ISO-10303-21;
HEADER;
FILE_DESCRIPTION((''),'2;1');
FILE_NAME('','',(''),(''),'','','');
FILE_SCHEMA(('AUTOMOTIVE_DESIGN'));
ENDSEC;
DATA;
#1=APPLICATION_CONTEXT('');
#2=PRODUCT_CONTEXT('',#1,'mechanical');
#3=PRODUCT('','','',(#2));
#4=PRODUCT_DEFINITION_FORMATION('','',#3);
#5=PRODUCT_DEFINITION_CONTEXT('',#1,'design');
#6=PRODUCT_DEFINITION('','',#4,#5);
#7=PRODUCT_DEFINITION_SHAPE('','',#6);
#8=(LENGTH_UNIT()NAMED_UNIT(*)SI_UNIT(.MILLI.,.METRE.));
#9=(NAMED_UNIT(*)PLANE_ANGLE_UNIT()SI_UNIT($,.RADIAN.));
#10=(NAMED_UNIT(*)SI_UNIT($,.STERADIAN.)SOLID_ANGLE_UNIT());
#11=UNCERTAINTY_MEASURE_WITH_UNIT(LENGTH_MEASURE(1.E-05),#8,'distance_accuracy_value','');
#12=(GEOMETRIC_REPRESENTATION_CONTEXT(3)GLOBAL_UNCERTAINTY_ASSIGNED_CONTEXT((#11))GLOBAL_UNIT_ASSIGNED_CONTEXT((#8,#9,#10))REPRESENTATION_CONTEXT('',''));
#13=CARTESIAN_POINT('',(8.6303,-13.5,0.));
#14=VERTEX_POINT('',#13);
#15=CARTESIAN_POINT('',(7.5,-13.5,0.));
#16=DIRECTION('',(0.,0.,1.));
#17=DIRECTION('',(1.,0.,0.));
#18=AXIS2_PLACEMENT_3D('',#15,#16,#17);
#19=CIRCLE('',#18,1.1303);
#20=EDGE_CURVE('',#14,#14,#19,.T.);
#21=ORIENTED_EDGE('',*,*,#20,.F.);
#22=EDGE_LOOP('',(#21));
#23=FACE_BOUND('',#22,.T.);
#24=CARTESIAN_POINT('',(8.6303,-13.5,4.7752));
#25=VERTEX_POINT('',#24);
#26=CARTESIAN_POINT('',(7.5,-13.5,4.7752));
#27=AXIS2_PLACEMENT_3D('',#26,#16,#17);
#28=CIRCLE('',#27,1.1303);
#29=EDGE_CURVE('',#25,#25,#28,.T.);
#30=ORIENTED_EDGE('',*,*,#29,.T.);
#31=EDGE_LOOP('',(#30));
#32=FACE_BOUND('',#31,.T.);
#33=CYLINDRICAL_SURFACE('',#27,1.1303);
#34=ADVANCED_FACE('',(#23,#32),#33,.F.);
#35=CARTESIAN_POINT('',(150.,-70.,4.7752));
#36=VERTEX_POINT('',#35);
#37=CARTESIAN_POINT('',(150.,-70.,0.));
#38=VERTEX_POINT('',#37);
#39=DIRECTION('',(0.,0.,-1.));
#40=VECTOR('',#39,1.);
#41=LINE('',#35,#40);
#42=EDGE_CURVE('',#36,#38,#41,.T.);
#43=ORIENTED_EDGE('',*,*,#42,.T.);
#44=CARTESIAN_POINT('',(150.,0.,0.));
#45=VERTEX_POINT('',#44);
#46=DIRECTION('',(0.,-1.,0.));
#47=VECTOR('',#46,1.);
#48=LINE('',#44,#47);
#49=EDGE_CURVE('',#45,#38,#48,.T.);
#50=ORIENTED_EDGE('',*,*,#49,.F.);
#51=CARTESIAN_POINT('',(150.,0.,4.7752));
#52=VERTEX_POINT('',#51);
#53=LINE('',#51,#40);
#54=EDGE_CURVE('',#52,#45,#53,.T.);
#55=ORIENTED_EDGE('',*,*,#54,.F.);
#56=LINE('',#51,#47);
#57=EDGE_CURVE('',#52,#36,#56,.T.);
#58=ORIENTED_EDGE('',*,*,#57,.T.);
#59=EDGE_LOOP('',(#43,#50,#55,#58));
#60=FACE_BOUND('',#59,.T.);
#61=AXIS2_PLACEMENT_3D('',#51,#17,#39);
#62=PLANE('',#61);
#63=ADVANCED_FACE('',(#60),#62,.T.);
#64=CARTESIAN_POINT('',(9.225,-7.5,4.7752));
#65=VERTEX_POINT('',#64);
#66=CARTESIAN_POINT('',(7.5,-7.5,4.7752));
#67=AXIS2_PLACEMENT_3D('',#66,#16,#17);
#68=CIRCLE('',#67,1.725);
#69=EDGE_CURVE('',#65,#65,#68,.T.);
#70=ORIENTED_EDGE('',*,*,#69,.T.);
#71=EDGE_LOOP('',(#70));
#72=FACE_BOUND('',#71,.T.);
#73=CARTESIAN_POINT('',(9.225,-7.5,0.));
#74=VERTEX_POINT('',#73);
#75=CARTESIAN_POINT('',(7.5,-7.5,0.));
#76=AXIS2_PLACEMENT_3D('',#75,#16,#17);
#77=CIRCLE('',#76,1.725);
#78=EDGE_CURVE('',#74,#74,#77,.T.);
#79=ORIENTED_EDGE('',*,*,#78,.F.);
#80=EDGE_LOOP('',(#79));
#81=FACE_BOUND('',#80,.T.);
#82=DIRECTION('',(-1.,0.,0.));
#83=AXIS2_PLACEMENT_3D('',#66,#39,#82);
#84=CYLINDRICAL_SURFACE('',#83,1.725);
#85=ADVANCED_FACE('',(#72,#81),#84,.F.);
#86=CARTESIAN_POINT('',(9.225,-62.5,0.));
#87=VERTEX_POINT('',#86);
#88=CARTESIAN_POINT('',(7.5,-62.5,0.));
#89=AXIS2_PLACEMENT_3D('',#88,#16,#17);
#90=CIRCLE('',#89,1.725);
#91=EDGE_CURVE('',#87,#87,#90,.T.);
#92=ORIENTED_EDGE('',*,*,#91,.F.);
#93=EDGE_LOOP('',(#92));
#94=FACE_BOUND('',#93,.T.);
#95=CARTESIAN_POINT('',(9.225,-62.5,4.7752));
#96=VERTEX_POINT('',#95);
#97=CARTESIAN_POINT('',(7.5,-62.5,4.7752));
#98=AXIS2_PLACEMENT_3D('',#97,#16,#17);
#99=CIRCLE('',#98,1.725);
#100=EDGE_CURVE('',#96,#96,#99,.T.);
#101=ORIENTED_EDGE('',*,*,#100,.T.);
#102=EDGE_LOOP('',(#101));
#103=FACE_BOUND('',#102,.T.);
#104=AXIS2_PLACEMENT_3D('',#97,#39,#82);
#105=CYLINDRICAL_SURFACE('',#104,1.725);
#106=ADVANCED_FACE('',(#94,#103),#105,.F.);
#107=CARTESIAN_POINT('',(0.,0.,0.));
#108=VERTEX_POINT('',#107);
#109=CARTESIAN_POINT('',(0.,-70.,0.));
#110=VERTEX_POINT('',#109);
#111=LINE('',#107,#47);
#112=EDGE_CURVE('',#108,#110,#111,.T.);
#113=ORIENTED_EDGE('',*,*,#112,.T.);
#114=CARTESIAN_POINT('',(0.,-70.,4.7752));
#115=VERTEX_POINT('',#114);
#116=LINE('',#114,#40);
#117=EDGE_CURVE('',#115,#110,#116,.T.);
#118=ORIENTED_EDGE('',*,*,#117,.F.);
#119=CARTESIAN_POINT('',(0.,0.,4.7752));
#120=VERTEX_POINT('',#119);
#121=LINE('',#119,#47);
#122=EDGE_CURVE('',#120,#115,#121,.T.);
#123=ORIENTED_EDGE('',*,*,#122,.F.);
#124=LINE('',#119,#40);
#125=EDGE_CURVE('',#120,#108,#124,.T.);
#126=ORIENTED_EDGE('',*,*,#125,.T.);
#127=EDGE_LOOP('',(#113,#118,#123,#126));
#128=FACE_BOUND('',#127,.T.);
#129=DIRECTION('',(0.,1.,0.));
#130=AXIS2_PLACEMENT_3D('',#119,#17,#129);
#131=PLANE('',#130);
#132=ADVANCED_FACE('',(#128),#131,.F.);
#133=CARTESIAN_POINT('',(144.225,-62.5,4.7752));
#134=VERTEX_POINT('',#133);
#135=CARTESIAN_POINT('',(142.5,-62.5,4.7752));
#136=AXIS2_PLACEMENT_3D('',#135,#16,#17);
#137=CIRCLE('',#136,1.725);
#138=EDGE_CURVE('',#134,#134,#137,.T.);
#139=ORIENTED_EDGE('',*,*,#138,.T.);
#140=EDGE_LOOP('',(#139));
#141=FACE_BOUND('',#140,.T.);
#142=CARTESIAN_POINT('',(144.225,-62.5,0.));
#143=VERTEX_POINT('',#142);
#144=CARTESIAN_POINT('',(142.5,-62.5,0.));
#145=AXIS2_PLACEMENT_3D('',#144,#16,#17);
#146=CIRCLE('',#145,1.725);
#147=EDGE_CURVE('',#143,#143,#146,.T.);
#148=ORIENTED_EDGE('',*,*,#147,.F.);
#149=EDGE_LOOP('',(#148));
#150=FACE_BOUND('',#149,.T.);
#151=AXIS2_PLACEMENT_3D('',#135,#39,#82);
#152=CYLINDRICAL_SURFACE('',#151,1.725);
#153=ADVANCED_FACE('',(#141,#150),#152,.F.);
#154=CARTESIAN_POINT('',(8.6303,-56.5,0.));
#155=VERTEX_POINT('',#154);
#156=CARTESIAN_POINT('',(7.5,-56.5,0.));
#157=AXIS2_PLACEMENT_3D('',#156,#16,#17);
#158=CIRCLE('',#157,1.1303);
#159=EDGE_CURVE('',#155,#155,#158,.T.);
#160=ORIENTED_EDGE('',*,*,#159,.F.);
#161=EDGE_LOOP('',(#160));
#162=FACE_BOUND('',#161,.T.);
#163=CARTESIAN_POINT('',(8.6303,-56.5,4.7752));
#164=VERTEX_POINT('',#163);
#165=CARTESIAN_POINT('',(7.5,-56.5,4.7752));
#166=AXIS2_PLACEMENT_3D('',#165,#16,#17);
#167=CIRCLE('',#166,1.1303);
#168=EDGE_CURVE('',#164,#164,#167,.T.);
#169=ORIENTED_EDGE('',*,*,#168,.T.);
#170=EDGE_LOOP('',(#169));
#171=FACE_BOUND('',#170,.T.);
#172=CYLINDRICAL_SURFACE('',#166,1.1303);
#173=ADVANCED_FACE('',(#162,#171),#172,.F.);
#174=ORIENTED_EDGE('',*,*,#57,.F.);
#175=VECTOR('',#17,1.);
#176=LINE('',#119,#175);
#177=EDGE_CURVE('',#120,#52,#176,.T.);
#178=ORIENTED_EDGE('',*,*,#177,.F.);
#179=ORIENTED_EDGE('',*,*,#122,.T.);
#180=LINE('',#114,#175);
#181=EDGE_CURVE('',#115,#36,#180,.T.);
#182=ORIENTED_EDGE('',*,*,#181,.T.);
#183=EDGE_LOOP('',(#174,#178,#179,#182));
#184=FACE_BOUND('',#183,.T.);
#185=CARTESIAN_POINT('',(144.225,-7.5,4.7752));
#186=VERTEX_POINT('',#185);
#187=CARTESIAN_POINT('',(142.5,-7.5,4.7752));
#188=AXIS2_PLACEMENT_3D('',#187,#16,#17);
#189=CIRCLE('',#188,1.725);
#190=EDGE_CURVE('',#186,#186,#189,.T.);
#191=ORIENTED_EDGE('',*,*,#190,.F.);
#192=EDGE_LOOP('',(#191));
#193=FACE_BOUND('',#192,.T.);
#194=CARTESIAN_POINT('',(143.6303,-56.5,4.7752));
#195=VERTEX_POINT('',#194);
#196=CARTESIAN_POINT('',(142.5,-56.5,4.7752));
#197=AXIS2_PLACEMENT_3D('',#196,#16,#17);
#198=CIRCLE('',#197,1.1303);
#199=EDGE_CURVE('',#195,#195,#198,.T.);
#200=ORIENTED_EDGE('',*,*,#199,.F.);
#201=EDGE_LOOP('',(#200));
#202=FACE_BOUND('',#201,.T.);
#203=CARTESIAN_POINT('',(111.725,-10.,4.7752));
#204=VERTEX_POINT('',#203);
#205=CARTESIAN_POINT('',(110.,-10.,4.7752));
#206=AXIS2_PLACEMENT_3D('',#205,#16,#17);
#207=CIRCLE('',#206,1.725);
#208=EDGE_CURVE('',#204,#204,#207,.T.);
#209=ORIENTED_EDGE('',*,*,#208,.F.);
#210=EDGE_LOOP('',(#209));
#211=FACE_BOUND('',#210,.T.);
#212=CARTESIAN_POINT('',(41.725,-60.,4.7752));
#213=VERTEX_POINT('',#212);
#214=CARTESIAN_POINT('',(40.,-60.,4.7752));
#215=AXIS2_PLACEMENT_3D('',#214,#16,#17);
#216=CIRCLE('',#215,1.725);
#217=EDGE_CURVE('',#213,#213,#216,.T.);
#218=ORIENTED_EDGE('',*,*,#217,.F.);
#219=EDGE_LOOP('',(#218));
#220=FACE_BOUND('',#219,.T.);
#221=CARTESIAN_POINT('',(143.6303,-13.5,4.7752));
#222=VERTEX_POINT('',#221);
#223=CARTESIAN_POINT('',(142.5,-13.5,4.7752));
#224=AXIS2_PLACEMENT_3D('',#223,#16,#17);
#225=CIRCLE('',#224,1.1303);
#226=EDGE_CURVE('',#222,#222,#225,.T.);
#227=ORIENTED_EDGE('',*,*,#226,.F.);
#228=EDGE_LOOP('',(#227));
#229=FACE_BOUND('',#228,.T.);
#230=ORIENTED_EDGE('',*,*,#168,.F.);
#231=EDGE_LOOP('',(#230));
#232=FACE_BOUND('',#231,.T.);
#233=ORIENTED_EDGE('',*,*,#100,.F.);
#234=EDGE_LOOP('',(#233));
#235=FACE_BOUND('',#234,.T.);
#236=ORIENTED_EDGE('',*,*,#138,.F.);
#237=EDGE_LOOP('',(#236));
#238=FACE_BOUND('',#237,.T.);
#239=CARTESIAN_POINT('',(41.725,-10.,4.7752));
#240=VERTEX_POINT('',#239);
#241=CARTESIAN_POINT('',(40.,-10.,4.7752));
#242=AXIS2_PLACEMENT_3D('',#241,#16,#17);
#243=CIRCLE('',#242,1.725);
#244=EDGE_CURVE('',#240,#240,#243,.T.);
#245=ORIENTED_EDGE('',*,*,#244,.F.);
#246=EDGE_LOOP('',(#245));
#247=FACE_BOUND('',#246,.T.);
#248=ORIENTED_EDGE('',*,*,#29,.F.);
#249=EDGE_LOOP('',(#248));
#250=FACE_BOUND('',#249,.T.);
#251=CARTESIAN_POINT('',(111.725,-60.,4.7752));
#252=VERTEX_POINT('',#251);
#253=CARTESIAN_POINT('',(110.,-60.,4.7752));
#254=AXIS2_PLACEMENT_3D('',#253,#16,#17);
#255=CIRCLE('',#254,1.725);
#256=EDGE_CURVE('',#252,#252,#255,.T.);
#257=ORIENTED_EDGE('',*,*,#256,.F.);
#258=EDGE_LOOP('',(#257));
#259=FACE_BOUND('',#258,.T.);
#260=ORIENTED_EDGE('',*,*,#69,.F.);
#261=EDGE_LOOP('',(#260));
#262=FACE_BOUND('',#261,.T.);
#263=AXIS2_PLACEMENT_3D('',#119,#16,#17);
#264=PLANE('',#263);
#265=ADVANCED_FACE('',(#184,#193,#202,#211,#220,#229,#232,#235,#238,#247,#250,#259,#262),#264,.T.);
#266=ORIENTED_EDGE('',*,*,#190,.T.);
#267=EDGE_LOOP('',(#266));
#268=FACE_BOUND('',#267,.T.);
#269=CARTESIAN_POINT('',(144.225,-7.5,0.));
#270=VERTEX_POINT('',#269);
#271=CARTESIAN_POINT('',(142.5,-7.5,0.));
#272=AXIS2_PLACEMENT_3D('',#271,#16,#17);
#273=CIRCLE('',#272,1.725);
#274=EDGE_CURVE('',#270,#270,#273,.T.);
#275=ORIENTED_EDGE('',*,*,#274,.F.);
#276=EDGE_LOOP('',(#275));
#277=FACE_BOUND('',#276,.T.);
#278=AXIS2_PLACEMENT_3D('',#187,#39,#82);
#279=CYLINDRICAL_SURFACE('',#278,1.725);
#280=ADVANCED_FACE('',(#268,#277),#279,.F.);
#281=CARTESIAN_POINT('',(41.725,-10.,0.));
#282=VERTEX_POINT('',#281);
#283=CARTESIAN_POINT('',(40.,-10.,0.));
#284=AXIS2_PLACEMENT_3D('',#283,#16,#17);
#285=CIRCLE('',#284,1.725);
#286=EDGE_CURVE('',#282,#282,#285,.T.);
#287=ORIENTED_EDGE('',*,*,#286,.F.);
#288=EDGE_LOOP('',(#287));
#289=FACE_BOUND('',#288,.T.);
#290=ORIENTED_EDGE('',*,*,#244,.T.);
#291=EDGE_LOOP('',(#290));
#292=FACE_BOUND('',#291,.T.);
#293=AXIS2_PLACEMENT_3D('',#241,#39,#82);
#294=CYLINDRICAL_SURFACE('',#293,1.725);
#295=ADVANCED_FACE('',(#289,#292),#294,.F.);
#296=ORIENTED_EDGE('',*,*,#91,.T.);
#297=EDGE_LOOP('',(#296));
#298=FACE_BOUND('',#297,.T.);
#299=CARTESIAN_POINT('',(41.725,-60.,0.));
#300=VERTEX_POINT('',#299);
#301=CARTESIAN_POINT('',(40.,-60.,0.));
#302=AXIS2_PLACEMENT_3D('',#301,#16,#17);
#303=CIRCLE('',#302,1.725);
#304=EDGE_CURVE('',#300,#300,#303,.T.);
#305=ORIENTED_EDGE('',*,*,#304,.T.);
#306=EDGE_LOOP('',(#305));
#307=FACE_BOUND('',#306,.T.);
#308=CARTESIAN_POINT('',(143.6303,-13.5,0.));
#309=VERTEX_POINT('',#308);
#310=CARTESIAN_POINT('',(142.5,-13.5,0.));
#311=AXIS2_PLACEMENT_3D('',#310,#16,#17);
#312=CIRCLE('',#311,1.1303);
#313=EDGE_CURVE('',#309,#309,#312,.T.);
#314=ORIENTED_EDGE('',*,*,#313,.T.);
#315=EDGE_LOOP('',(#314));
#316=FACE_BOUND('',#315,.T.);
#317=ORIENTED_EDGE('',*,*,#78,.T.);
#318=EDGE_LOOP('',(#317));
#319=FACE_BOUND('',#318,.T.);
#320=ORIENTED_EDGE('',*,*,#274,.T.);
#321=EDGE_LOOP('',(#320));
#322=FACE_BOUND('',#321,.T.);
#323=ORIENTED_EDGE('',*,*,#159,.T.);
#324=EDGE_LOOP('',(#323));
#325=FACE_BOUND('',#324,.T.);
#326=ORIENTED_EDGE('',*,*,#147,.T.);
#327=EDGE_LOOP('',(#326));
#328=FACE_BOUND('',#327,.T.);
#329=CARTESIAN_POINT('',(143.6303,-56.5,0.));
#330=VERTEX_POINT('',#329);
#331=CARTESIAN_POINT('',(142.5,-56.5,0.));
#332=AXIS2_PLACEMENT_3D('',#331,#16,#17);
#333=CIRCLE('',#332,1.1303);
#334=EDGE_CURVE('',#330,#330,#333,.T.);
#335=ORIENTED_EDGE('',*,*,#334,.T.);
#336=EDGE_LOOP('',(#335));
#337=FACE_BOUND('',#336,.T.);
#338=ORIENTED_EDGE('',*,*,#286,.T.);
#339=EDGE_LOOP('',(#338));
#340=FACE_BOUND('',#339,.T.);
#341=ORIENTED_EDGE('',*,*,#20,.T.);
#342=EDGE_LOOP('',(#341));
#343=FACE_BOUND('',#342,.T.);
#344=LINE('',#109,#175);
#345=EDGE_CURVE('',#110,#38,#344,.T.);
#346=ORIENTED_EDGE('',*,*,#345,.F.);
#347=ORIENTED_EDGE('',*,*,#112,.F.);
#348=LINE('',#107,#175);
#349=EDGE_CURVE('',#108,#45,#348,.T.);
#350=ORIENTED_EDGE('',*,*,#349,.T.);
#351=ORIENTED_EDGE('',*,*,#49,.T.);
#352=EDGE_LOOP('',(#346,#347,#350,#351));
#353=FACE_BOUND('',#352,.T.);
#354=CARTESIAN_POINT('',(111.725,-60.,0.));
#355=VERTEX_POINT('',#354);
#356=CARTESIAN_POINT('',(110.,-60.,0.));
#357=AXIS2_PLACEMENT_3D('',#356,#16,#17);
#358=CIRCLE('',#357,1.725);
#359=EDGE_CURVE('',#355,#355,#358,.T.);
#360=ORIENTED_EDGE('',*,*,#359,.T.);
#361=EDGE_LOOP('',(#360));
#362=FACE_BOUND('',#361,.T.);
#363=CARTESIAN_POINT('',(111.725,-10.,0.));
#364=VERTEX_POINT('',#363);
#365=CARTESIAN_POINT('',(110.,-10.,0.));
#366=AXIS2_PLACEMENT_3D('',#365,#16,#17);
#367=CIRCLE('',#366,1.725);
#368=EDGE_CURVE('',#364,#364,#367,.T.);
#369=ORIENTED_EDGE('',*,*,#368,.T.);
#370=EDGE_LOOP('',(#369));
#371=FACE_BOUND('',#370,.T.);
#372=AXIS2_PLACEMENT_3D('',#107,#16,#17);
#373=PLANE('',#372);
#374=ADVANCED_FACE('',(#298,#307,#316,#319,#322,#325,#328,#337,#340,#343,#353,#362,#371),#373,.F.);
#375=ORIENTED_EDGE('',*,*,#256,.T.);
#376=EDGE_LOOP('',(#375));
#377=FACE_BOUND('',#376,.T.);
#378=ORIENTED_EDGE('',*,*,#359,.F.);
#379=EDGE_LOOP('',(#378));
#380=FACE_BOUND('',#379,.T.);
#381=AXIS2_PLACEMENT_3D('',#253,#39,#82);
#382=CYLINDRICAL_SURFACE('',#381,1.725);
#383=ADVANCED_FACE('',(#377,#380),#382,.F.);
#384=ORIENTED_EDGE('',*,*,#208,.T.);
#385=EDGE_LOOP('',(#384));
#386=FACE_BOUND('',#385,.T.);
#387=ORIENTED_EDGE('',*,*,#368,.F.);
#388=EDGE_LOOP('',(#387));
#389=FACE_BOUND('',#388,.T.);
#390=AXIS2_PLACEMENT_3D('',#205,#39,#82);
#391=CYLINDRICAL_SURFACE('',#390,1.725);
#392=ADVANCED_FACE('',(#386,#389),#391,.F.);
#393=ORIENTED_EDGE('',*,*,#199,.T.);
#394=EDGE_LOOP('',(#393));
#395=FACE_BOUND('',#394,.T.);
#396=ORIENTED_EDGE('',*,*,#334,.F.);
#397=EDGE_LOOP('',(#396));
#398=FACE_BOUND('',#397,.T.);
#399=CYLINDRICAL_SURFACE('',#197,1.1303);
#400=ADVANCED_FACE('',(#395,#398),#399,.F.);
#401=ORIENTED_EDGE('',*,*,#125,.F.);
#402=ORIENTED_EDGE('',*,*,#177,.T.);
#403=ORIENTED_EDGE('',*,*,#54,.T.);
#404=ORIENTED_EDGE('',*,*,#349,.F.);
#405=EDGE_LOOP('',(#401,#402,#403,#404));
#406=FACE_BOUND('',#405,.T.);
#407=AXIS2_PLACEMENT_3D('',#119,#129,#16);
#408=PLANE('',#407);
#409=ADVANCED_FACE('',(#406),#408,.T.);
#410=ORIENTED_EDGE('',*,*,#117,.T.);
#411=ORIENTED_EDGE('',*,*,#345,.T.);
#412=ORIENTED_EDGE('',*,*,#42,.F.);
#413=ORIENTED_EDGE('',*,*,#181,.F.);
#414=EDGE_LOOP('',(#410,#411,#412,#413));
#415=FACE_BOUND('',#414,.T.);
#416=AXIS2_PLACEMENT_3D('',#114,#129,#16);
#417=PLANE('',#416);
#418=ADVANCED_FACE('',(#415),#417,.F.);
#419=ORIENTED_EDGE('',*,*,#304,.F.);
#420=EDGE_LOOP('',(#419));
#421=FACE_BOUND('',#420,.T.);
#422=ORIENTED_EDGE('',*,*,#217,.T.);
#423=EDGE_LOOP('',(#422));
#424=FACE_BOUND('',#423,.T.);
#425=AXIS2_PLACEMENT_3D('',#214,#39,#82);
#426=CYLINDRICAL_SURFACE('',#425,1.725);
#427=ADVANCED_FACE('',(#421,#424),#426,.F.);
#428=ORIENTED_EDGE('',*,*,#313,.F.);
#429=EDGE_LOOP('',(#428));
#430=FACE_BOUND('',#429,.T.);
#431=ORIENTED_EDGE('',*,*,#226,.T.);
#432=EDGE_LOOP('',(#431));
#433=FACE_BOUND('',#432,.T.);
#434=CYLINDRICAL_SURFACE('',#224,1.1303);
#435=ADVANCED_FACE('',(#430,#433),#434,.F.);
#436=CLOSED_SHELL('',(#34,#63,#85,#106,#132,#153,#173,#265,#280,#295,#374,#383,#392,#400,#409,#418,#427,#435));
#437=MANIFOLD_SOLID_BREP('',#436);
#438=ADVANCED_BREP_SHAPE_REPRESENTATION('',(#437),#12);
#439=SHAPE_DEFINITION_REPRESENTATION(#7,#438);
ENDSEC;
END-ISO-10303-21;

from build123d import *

# Parameters (mm, degrees)
SKETCH1_W             = 150
SKETCH1_H             = 70
SKETCH1_R             = 1.725
SKETCH1_R_2           = 1.13
BOSS_EXTRUDE1_DEPTH   = 4.7752
F_4_40_TAPPED_HOLE1_D = 2.2606


with BuildPart() as part:
    # Sketch1 → Boss-Extrude1 (new body)
    with BuildSketch(Plane.XY):
        with Locations((75, -35)):
            Rectangle(SKETCH1_W, SKETCH1_H)
        with Locations((7.5, -7.5)):
            Circle(SKETCH1_R, mode=Mode.SUBTRACT)
        with Locations((142.5, -7.5)):
            Circle(SKETCH1_R, mode=Mode.SUBTRACT)
        with Locations((142.5, -62.5)):
            Circle(SKETCH1_R, mode=Mode.SUBTRACT)
        with Locations((7.5, -62.5)):
            Circle(SKETCH1_R, mode=Mode.SUBTRACT)
        with Locations((7.5, -13.5)):
            Circle(SKETCH1_R_2, mode=Mode.SUBTRACT)
        with Locations((142.5, -13.5)):
            Circle(SKETCH1_R_2, mode=Mode.SUBTRACT)
        with Locations((142.5, -56.5)):
            Circle(SKETCH1_R_2, mode=Mode.SUBTRACT)
        with Locations((7.5, -56.5)):
            Circle(SKETCH1_R_2, mode=Mode.SUBTRACT)
        with Locations((40, -10)):
            Circle(SKETCH1_R, mode=Mode.SUBTRACT)
        with Locations((40, -60)):
            Circle(SKETCH1_R, mode=Mode.SUBTRACT)
        with Locations((110, -10)):
            Circle(SKETCH1_R, mode=Mode.SUBTRACT)
        with Locations((110, -60)):
            Circle(SKETCH1_R, mode=Mode.SUBTRACT)
    extrude(amount=BOSS_EXTRUDE1_DEPTH)

    # #4-40 Tapped Hole1 (through all)
    with Locations(Plane(origin=(7.5, -13.5, 4.7752), x_dir=(1, 0, 0), z_dir=(0, 0, 1))):
        with Locations((0, 0), (0, -43), (135, -43), (135, 0)):
            Hole(F_4_40_TAPPED_HOLE1_D / 2)


solid = part.part
